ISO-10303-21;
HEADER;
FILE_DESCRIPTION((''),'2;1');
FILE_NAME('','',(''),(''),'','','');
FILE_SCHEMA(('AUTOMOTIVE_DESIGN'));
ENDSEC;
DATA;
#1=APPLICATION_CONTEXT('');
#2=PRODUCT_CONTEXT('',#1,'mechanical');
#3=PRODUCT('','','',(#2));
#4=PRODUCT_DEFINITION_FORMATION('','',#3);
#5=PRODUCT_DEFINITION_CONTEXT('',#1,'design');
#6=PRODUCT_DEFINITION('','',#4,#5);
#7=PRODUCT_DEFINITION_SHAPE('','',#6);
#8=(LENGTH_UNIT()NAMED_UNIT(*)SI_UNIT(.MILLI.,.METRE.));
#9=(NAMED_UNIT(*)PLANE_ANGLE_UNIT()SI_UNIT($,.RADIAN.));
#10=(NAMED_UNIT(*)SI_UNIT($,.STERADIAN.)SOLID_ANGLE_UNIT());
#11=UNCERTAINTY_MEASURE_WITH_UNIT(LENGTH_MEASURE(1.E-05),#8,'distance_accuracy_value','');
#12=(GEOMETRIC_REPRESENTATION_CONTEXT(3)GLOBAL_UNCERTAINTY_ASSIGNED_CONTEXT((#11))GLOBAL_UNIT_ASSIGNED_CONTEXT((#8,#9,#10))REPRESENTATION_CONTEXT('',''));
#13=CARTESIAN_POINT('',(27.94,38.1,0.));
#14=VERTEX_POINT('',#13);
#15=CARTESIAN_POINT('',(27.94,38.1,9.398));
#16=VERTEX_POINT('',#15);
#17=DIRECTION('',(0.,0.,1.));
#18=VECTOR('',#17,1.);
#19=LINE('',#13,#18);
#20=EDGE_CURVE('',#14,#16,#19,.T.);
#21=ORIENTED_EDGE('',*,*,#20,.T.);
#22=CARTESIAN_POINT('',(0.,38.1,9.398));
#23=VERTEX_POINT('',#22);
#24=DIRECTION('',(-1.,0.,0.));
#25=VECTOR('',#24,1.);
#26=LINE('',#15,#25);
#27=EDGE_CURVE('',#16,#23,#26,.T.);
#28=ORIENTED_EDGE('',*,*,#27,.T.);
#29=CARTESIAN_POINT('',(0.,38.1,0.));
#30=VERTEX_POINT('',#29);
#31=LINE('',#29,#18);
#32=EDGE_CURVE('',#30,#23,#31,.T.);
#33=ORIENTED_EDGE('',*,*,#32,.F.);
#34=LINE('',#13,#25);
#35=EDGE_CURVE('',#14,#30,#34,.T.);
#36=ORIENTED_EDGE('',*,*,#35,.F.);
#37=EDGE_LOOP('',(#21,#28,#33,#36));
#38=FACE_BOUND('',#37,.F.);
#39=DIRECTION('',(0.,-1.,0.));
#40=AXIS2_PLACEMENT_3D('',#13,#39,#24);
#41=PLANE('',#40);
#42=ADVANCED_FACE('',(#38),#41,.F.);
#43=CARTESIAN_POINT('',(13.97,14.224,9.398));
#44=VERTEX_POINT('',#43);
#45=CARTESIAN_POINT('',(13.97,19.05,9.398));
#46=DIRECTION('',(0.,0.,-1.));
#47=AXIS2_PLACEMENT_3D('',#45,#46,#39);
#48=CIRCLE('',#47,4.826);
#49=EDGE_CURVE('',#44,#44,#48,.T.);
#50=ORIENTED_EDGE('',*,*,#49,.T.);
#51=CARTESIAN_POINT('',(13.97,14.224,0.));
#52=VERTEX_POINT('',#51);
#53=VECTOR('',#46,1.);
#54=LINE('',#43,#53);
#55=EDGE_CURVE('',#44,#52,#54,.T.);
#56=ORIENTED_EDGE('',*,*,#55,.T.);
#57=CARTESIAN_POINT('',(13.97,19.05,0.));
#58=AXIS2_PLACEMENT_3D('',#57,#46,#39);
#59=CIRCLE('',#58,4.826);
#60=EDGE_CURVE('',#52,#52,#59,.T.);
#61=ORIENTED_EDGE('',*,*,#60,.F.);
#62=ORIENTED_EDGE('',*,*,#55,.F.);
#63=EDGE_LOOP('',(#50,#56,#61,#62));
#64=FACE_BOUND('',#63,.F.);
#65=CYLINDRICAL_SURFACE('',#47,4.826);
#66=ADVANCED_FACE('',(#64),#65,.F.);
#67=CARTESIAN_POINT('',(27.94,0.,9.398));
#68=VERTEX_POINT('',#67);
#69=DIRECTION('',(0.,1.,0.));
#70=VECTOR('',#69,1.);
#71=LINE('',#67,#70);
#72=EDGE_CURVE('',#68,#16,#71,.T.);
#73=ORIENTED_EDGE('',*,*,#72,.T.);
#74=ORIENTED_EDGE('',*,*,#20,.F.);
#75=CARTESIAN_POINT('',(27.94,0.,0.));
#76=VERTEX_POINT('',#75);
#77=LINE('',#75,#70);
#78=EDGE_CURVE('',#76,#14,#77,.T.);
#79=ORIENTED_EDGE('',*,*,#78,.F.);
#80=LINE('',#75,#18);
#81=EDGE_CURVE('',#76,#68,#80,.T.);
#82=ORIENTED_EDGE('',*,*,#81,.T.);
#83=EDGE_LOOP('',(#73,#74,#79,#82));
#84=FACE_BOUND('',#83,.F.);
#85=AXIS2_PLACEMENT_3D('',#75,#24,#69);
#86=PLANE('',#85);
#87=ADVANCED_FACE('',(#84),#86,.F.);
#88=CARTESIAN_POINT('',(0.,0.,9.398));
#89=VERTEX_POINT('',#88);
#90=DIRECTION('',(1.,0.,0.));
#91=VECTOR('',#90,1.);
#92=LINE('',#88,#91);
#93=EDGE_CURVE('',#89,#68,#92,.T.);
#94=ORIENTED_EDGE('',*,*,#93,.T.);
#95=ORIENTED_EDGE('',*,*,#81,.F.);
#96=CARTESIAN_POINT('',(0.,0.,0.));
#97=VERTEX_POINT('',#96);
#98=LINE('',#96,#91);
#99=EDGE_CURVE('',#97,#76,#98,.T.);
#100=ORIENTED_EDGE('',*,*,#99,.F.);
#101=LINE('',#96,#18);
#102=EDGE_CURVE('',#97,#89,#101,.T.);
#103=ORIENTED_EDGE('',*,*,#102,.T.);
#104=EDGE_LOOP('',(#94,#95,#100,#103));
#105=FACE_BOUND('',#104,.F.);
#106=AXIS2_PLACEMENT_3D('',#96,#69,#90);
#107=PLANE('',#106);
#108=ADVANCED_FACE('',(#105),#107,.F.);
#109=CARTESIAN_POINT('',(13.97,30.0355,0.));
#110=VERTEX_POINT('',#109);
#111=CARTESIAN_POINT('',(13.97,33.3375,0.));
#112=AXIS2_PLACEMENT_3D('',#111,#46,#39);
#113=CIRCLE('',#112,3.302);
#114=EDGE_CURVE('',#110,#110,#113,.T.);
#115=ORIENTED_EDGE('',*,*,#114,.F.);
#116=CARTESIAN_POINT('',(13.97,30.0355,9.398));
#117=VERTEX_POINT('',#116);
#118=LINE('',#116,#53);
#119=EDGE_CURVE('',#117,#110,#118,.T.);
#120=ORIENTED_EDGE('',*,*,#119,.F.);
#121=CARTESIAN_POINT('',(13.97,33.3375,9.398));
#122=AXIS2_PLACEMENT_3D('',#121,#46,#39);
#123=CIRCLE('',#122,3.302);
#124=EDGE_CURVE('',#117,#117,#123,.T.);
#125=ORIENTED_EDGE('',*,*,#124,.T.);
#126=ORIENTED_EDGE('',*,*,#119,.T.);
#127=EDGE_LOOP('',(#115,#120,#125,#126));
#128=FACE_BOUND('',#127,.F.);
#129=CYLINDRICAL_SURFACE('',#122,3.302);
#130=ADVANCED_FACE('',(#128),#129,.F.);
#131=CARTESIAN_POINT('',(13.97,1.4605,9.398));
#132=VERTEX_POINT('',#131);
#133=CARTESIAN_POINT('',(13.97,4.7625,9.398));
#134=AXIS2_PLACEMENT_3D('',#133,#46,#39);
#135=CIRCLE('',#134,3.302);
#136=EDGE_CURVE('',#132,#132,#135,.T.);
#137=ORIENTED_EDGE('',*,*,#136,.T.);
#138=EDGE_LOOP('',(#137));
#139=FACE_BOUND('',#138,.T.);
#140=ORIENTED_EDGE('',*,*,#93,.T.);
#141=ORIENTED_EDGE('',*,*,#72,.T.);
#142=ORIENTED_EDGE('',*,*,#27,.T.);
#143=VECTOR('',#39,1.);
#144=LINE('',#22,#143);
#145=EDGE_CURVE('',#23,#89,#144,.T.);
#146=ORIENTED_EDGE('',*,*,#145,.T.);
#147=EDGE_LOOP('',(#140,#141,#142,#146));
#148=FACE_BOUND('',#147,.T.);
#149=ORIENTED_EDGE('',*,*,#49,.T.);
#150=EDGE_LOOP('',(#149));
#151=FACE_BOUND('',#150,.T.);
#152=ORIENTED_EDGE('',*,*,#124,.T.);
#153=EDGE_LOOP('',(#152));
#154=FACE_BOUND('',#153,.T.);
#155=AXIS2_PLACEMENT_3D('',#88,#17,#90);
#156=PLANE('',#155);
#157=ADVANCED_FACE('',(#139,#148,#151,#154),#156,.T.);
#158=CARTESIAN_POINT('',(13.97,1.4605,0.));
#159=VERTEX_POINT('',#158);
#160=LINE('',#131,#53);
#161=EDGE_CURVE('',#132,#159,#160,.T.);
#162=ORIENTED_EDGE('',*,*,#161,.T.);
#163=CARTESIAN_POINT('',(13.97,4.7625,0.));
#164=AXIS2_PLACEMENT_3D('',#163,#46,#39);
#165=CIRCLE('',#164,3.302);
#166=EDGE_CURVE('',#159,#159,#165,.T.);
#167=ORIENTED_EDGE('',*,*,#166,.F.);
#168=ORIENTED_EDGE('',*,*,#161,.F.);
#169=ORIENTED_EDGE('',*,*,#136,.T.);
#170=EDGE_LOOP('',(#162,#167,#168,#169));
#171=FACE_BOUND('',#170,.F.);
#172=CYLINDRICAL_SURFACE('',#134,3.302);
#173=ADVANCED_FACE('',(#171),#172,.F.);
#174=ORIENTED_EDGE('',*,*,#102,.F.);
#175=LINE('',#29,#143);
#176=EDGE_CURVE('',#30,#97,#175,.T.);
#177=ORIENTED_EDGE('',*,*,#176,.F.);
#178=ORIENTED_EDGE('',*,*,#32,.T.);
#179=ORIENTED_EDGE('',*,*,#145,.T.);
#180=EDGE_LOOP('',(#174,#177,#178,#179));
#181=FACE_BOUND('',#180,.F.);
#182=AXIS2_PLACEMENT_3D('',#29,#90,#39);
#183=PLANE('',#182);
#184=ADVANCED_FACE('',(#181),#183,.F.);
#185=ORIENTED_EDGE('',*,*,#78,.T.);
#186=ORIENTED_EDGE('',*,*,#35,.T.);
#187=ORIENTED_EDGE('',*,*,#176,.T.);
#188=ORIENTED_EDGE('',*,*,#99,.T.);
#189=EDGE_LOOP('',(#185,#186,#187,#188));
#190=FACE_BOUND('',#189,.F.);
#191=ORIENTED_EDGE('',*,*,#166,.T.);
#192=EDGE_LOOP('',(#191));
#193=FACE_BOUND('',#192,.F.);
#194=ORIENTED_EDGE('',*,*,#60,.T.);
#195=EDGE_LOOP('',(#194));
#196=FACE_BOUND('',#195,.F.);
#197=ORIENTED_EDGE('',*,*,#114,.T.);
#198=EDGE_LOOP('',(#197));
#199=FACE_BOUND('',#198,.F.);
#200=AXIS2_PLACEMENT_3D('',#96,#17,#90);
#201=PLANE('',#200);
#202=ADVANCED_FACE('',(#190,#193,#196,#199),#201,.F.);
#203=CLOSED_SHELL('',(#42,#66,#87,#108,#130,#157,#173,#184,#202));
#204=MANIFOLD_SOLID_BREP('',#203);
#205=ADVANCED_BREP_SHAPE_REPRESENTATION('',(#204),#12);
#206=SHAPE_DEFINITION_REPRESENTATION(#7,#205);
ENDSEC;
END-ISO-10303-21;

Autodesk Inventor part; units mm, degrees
ref_plane "YZ Plane" through (0, 0, 0) normal (1, 0, 0) x (0, 1, 0)
ref_plane "XZ Plane" through (0, 0, 0) normal (0, 1, 0) x (-1, 0, 0)
ref_plane "XY Plane" through (0, 0, 0) normal (0, 0, 1) x (1, 0, 0)
sketch "Sketch1" plane through (0, 0, 0) normal (0, 0, 1) x (1, 0, 0)
  line L0 (0, 0) -> (27.94, 0)
  line L1 (27.94, 0) -> (27.94, 38.1)
  line L2 (27.94, 38.1) -> (0, 38.1)
  line L3 (0, 38.1) -> (0, 0)
  dimension "d0" = 27.94
  dimension "d1" = 38.1
extrude "Extrusion1" add sketch "Sketch1" along normal blind 9.398
sketch "Sketch2" plane through (0, 0, 9.398) normal (0, 0, 1) x (1, 0, 0)
  line L0 (0, 0) -> (27.94, 0) projected
  line L1 (27.94, 0) -> (27.94, 38.1) projected
  line L2 (27.94, 38.1) -> (0, 38.1) projected
  line L3 (0, 38.1) -> (0, 0) projected
  point P0 (13.97, 33.3375)
  point P1 (13.97, 4.7625)
  dimension "d4" = 28.575
  dimension "d5" = 38.1
  dimension "d6" = 4.7625
  dimension "d7" = 27.94
  dimension "d8" = 13.97
  dimension "d9" = 13.97
hole "Hole1" at (13.97, 33.3375, 9.398) at (13.97, 4.7625, 9.398) direction (0, 0, -1) diameter 6.604 depth 10.9728 tip angle 118
sketch "Sketch3" plane through (0, 0, 9.398) normal (0, 0, 1) x (1, 0, 0)
  circle A0 centre (13.97, 33.3375) radius 3.302 projected
  circle A1 centre (13.97, 4.7625) radius 3.302 projected
  line L0 (0, 0) -> (27.94, 0) projected
  line L1 (27.94, 0) -> (27.94, 38.1) projected
  line L2 (27.94, 38.1) -> (0, 38.1) projected
  line L3 (0, 38.1) -> (0, 0) projected
  point P0 (13.97, 19.05)
  dimension "d17" = 27.94
  dimension "d18" = 38.1
  dimension "d19" = 13.97
  dimension "d20" = 19.05
hole "Hole2" at (13.97, 19.05, 9.398) direction (0, 0, -1) diameter 9.652 depth 10.9728 tip angle 118
equation "\"d6\" = -0.5 * d4 + 0.5 * d5"
equation "\"d8\" = 0.5 * d7"
equation "\"d9\" = d8"
equation "\"d19\" = 0.5 * d17"
equation "\"d20\" = 0.5 * d18"
properties part number "lift top"
